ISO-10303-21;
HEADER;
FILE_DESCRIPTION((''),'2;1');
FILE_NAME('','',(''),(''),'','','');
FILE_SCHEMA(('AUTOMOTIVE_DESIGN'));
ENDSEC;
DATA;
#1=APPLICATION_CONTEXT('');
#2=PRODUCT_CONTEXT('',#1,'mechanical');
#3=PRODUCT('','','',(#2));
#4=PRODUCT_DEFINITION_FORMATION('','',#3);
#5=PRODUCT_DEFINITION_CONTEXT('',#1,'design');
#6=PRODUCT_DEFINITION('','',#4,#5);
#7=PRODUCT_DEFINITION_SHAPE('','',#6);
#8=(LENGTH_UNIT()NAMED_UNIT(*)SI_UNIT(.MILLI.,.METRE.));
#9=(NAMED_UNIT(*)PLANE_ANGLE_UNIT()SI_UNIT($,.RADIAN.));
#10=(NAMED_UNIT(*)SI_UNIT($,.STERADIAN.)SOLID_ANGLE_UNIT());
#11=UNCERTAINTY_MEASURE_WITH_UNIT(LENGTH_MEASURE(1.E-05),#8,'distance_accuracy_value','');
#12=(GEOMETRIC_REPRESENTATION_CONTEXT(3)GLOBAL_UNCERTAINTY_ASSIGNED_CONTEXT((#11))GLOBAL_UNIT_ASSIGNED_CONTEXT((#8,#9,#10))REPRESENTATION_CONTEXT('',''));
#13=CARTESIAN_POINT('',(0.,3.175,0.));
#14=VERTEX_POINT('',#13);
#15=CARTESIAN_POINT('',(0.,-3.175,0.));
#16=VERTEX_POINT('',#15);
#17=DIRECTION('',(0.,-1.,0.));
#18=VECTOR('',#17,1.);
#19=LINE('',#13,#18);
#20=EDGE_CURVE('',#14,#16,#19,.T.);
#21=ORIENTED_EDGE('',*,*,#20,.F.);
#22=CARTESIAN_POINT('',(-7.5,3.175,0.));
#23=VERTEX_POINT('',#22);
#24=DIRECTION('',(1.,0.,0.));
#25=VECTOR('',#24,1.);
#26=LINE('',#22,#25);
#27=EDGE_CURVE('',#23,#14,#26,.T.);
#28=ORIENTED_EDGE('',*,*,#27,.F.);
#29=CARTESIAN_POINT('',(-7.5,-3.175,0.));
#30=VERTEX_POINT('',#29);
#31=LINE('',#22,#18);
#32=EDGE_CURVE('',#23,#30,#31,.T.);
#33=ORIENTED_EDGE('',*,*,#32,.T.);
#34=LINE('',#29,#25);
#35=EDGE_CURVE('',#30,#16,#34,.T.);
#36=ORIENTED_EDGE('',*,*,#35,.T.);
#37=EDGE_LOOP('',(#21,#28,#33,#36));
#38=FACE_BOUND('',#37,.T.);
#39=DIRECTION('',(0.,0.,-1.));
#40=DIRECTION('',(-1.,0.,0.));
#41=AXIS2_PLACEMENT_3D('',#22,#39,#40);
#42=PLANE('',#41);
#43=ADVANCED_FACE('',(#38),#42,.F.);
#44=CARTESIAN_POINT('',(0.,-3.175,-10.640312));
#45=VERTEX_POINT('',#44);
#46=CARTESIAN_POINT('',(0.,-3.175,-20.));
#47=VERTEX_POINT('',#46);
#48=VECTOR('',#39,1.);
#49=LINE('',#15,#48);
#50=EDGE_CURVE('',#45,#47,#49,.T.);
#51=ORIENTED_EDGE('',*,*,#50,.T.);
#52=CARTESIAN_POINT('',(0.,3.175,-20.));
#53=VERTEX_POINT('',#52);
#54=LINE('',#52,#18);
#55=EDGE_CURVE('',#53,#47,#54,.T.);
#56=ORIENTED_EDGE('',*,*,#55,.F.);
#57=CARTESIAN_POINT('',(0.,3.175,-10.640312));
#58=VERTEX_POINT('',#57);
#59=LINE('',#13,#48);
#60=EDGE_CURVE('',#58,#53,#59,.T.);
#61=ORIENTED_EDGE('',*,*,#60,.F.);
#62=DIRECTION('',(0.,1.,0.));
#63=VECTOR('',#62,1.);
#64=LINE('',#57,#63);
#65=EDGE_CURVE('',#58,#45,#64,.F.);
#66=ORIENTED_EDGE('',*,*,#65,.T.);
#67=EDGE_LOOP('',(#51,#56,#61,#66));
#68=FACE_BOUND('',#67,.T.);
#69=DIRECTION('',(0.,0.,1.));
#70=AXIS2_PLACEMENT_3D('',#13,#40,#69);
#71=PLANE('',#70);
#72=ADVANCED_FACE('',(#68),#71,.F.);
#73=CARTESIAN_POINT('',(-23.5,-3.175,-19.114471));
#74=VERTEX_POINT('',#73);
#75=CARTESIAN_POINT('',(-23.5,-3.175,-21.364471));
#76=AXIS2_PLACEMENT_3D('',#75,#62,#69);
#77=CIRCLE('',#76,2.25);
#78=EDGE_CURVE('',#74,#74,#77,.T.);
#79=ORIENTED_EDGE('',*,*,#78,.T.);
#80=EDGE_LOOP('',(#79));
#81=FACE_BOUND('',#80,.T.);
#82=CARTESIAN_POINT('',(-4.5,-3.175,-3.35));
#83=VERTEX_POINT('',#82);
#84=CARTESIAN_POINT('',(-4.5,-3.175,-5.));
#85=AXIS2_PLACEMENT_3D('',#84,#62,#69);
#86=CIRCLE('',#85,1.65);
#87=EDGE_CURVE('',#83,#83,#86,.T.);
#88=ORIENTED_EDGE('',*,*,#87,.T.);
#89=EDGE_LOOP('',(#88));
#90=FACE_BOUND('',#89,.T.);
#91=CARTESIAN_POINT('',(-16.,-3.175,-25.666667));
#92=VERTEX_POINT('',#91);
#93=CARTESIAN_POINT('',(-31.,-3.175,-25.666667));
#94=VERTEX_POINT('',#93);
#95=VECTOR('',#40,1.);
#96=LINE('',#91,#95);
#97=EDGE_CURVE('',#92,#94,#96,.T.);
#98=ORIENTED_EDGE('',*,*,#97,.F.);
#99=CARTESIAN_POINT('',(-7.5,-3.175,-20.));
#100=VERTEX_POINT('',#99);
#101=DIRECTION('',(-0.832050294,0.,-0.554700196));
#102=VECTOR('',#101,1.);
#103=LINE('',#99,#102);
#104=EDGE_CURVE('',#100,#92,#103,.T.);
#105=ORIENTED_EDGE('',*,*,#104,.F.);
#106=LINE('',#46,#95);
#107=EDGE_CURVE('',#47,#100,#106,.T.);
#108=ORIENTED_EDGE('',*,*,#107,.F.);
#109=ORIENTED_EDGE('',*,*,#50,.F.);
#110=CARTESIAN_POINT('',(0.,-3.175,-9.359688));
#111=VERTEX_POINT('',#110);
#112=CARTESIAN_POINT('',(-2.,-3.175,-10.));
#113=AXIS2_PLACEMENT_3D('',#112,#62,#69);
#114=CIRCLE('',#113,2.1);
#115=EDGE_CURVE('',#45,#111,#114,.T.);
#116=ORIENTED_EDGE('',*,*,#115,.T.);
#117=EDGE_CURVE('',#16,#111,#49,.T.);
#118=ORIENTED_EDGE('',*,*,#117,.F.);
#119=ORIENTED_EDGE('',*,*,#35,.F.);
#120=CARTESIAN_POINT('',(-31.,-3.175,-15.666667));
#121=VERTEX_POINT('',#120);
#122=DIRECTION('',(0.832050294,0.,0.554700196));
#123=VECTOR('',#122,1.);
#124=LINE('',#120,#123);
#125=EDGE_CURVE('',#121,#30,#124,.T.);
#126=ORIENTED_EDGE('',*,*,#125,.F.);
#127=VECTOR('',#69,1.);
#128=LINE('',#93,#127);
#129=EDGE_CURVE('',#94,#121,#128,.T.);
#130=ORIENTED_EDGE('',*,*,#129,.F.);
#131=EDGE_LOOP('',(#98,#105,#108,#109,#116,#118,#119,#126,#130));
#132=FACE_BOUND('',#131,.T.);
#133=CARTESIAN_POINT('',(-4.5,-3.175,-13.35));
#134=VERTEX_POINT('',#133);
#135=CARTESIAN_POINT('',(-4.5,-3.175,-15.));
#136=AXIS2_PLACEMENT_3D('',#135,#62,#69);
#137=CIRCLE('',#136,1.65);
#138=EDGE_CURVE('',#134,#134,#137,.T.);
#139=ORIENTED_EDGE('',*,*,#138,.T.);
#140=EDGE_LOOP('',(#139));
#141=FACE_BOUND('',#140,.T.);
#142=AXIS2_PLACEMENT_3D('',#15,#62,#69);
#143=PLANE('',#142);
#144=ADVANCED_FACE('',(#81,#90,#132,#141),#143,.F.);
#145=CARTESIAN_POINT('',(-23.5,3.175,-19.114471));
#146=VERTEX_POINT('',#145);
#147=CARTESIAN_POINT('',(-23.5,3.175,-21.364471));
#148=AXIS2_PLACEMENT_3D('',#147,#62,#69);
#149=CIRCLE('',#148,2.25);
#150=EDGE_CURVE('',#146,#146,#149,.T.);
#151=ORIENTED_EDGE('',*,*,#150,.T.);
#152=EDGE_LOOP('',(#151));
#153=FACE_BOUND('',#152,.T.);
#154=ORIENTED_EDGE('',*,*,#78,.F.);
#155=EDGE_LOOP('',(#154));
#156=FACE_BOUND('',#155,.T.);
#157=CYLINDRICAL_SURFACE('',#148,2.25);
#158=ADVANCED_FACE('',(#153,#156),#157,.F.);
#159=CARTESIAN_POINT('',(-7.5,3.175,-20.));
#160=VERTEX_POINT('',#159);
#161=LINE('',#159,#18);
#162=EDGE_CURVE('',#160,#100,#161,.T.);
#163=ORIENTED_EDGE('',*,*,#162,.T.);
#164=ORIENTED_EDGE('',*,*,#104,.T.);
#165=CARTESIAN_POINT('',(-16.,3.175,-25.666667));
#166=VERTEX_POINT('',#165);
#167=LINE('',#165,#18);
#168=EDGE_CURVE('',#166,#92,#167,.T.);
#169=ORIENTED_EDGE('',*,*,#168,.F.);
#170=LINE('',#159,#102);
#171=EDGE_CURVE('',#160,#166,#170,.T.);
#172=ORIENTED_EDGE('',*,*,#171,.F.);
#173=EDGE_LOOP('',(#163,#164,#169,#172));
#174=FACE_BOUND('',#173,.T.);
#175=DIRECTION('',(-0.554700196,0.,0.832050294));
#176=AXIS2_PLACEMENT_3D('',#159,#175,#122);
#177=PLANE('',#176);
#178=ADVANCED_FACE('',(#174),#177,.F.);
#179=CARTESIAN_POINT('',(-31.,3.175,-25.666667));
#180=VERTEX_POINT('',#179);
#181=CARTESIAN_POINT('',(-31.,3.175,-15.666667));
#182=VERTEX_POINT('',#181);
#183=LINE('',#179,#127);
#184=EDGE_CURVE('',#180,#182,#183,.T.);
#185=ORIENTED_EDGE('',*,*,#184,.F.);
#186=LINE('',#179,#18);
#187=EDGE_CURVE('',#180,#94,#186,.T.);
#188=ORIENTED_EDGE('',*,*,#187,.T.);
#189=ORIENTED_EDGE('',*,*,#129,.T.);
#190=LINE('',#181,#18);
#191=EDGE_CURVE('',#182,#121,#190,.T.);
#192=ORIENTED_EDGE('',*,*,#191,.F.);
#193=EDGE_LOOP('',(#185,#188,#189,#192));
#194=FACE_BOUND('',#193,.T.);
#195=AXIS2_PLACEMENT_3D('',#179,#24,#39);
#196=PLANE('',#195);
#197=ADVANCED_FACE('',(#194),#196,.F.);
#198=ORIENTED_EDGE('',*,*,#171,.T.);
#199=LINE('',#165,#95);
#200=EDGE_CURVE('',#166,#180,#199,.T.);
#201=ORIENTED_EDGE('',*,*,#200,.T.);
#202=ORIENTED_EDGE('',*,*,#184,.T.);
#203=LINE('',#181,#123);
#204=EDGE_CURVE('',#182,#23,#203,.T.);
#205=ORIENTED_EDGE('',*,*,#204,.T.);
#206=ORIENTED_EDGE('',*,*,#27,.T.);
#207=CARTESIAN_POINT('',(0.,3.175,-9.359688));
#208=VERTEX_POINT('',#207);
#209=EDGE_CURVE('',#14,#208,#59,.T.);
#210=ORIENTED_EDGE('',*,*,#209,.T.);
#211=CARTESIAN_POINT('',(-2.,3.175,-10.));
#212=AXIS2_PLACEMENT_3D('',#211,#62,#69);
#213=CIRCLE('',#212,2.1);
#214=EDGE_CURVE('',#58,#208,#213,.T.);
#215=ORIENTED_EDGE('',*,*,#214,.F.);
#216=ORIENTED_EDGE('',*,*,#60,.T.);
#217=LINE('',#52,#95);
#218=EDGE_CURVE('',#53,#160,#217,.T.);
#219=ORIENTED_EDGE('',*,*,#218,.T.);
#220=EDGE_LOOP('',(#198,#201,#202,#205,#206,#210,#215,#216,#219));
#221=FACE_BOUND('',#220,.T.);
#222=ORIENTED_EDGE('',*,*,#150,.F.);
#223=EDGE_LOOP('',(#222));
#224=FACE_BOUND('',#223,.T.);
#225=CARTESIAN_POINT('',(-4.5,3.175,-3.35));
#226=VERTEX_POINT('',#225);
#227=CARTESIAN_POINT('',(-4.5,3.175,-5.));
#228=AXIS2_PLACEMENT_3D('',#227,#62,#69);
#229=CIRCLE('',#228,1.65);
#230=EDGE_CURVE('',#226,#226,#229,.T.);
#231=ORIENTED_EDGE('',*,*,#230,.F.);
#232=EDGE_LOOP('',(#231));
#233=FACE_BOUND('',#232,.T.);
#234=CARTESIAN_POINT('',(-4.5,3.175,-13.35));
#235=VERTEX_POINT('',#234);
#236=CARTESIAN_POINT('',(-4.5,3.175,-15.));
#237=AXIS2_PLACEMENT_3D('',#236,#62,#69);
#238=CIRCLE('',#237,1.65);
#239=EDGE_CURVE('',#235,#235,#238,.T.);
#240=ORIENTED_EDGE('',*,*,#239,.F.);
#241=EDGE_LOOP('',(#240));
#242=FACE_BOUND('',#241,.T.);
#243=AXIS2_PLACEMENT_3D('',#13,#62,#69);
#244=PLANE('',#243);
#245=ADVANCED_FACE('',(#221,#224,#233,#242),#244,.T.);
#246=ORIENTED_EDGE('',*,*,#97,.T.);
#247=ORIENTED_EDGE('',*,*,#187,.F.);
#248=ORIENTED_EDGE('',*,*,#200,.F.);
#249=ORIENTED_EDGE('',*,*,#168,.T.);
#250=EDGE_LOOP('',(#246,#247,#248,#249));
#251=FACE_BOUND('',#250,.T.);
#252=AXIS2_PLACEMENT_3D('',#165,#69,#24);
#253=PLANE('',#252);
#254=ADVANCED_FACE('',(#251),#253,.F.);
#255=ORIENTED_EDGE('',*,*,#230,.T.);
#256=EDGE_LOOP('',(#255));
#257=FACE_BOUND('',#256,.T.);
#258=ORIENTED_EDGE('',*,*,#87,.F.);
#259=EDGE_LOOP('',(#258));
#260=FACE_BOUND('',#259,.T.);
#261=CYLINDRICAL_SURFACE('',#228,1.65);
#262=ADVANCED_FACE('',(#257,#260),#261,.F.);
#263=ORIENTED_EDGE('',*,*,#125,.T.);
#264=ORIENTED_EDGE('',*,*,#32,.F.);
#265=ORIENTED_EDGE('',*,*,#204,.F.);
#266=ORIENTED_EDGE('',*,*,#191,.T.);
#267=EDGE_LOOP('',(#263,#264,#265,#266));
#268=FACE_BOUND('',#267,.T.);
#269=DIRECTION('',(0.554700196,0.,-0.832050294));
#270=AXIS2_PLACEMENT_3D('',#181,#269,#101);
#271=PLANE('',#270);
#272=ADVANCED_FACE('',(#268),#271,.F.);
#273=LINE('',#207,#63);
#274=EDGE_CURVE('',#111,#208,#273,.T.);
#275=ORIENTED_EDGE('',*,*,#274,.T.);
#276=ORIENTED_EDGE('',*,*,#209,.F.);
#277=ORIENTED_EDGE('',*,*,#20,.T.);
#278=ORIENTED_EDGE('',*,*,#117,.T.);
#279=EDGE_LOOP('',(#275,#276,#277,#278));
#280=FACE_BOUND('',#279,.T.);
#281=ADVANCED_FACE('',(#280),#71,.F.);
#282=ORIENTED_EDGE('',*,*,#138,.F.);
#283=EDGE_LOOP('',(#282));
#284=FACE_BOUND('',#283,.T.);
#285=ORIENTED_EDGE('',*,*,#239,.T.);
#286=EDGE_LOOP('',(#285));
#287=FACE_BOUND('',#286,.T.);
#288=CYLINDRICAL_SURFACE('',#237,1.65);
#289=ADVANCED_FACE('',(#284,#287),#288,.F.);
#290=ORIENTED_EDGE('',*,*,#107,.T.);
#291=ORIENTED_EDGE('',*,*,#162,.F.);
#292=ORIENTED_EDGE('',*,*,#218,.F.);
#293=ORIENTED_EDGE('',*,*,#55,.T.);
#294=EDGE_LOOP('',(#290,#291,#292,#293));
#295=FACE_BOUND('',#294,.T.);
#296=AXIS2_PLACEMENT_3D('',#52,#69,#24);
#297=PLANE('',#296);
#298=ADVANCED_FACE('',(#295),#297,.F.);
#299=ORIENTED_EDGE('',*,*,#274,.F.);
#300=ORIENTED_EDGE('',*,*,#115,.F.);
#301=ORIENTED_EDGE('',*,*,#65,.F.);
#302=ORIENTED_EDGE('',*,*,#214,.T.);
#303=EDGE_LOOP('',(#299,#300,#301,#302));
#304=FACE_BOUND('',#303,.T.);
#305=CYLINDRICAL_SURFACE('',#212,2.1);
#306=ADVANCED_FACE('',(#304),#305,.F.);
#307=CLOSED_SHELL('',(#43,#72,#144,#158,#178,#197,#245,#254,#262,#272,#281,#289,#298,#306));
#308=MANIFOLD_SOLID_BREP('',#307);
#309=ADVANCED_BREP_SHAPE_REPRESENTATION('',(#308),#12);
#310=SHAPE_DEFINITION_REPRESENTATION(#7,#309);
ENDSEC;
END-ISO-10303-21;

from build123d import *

# Parameters (mm, degrees)
BOSS_EXTRUDE1_DEPTH   = 3.175
M4_CLEARANCE_HOLE1_D  = 4.5
M4X0_7_TAPPED_HOLE1_D = 3.3
M5X0_8_TAPPED_HOLE1_D = 4.2


with BuildPart() as part:
    # Sketch1 → Boss-Extrude1 (new body, symmetric)
    with BuildSketch(Plane(origin=(0, 0, 0), x_dir=(1, 0, 0), z_dir=(0, 1, 0))):
        Polygon((0, 0), (0, 20), (-7.5, 20), (-16, 25.666666667), (-31, 25.666666667), (-31, 15.666666667), (-7.5, 0), align=None)
    extrude(amount=BOSS_EXTRUDE1_DEPTH, both=True)

    # M4 Clearance Hole1 (through all)
    with Locations(Plane(origin=(0, 3.175, 0), x_dir=(1, 0, 0), z_dir=(0, 1, 0))):
        with Locations((-23.5, 21.364471274)):
            Hole(M4_CLEARANCE_HOLE1_D / 2)

    # M4x0.7 Tapped Hole1 (through all)
    with Locations(Plane(origin=(0, 3.175, 0), x_dir=(1, 0, 0), z_dir=(0, 1, 0))):
        with Locations((-4.500000447, 15), (-4.500000447, 5)):
            Hole(M4X0_7_TAPPED_HOLE1_D / 2)

    # M5x0.8 Tapped Hole1 (through all)
    with Locations(Plane(origin=(0, 3.175, 0), x_dir=(1, 0, 0), z_dir=(0, 1, 0))):
        with Locations((-2, 10)):
            Hole(M5X0_8_TAPPED_HOLE1_D / 2)


solid = part.part
